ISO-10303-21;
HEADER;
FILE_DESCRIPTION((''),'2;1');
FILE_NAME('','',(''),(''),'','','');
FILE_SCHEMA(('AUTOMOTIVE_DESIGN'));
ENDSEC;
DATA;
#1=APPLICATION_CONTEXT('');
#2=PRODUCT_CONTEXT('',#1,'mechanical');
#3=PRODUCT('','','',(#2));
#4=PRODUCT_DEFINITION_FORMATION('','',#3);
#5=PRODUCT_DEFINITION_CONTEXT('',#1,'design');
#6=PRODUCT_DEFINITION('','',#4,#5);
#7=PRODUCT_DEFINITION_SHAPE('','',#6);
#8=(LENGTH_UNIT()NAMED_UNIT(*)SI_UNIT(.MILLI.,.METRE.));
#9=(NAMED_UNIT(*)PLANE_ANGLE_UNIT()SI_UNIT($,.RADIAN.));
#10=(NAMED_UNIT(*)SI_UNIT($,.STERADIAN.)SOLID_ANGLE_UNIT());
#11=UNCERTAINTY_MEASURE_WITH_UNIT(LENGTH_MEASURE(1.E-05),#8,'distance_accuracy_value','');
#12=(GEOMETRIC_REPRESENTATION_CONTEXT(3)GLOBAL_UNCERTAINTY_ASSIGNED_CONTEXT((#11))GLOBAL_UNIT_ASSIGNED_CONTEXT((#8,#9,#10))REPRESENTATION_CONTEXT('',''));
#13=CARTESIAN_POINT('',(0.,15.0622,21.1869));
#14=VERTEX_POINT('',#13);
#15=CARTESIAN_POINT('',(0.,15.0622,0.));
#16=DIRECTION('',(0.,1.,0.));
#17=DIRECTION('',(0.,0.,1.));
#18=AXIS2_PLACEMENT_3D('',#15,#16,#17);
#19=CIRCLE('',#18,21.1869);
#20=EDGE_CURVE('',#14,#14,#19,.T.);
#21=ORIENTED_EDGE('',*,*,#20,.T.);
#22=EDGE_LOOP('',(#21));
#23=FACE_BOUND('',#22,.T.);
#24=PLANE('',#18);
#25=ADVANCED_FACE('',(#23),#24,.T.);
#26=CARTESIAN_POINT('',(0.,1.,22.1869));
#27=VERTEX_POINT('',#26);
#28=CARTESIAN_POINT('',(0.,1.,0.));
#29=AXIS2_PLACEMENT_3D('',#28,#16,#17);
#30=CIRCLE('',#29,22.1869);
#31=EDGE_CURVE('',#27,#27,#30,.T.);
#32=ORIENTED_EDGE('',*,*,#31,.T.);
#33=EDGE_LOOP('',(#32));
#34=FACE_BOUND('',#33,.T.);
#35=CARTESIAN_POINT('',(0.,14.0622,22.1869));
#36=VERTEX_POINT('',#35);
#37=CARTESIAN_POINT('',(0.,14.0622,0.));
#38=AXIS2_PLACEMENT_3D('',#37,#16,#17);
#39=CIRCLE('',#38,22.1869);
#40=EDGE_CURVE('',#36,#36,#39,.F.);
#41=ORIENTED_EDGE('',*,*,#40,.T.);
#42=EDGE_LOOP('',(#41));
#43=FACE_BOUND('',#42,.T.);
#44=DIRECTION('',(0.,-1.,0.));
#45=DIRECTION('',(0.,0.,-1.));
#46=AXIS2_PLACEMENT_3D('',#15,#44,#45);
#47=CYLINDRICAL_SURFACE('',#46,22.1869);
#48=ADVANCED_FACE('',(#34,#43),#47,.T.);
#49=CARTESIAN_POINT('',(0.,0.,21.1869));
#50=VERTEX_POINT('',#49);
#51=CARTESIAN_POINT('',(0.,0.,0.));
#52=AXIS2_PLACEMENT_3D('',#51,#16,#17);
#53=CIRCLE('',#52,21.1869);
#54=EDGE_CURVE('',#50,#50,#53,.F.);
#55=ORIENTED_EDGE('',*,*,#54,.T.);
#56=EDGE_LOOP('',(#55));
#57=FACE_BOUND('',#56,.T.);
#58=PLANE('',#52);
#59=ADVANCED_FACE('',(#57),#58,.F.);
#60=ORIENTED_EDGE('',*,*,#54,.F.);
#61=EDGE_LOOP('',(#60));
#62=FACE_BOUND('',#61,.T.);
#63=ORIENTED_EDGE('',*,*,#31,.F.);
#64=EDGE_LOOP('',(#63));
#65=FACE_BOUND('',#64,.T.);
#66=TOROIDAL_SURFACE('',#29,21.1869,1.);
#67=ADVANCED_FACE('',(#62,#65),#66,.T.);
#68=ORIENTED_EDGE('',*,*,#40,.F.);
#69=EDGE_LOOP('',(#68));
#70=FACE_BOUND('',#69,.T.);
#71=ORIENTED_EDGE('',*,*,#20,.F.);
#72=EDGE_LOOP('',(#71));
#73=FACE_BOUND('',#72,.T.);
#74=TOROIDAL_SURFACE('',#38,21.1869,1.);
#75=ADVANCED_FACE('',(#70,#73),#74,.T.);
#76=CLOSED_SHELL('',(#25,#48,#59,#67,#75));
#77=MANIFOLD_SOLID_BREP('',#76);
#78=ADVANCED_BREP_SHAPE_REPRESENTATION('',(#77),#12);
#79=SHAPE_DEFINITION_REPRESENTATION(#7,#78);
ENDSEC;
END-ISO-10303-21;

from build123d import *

# Parameters (mm, degrees)
SKETCH2_R           = 22.1869
BOSS_EXTRUDE1_DEPTH = 15.0622
FILLET1_R           = 1


with BuildPart() as part:
    # Sketch2 → Boss-Extrude1 (new body)
    with BuildSketch(Plane(origin=(0, 0, 0), x_dir=(1, 0, 0), z_dir=(0, 1, 0))):
        with Locations(Location((0, 0, 0), (0, 0, 270))):
            Circle(SKETCH2_R)
    extrude(amount=BOSS_EXTRUDE1_DEPTH)

    # Fillet1
    fillet1_edges = [part.edges().sort_by_distance(p)[0] for p in [
        (0, 0, -22.1869),
        (0, 15.0622, -22.1869),
    ]]
    fillet(fillet1_edges, radius=FILLET1_R)


solid = part.part
